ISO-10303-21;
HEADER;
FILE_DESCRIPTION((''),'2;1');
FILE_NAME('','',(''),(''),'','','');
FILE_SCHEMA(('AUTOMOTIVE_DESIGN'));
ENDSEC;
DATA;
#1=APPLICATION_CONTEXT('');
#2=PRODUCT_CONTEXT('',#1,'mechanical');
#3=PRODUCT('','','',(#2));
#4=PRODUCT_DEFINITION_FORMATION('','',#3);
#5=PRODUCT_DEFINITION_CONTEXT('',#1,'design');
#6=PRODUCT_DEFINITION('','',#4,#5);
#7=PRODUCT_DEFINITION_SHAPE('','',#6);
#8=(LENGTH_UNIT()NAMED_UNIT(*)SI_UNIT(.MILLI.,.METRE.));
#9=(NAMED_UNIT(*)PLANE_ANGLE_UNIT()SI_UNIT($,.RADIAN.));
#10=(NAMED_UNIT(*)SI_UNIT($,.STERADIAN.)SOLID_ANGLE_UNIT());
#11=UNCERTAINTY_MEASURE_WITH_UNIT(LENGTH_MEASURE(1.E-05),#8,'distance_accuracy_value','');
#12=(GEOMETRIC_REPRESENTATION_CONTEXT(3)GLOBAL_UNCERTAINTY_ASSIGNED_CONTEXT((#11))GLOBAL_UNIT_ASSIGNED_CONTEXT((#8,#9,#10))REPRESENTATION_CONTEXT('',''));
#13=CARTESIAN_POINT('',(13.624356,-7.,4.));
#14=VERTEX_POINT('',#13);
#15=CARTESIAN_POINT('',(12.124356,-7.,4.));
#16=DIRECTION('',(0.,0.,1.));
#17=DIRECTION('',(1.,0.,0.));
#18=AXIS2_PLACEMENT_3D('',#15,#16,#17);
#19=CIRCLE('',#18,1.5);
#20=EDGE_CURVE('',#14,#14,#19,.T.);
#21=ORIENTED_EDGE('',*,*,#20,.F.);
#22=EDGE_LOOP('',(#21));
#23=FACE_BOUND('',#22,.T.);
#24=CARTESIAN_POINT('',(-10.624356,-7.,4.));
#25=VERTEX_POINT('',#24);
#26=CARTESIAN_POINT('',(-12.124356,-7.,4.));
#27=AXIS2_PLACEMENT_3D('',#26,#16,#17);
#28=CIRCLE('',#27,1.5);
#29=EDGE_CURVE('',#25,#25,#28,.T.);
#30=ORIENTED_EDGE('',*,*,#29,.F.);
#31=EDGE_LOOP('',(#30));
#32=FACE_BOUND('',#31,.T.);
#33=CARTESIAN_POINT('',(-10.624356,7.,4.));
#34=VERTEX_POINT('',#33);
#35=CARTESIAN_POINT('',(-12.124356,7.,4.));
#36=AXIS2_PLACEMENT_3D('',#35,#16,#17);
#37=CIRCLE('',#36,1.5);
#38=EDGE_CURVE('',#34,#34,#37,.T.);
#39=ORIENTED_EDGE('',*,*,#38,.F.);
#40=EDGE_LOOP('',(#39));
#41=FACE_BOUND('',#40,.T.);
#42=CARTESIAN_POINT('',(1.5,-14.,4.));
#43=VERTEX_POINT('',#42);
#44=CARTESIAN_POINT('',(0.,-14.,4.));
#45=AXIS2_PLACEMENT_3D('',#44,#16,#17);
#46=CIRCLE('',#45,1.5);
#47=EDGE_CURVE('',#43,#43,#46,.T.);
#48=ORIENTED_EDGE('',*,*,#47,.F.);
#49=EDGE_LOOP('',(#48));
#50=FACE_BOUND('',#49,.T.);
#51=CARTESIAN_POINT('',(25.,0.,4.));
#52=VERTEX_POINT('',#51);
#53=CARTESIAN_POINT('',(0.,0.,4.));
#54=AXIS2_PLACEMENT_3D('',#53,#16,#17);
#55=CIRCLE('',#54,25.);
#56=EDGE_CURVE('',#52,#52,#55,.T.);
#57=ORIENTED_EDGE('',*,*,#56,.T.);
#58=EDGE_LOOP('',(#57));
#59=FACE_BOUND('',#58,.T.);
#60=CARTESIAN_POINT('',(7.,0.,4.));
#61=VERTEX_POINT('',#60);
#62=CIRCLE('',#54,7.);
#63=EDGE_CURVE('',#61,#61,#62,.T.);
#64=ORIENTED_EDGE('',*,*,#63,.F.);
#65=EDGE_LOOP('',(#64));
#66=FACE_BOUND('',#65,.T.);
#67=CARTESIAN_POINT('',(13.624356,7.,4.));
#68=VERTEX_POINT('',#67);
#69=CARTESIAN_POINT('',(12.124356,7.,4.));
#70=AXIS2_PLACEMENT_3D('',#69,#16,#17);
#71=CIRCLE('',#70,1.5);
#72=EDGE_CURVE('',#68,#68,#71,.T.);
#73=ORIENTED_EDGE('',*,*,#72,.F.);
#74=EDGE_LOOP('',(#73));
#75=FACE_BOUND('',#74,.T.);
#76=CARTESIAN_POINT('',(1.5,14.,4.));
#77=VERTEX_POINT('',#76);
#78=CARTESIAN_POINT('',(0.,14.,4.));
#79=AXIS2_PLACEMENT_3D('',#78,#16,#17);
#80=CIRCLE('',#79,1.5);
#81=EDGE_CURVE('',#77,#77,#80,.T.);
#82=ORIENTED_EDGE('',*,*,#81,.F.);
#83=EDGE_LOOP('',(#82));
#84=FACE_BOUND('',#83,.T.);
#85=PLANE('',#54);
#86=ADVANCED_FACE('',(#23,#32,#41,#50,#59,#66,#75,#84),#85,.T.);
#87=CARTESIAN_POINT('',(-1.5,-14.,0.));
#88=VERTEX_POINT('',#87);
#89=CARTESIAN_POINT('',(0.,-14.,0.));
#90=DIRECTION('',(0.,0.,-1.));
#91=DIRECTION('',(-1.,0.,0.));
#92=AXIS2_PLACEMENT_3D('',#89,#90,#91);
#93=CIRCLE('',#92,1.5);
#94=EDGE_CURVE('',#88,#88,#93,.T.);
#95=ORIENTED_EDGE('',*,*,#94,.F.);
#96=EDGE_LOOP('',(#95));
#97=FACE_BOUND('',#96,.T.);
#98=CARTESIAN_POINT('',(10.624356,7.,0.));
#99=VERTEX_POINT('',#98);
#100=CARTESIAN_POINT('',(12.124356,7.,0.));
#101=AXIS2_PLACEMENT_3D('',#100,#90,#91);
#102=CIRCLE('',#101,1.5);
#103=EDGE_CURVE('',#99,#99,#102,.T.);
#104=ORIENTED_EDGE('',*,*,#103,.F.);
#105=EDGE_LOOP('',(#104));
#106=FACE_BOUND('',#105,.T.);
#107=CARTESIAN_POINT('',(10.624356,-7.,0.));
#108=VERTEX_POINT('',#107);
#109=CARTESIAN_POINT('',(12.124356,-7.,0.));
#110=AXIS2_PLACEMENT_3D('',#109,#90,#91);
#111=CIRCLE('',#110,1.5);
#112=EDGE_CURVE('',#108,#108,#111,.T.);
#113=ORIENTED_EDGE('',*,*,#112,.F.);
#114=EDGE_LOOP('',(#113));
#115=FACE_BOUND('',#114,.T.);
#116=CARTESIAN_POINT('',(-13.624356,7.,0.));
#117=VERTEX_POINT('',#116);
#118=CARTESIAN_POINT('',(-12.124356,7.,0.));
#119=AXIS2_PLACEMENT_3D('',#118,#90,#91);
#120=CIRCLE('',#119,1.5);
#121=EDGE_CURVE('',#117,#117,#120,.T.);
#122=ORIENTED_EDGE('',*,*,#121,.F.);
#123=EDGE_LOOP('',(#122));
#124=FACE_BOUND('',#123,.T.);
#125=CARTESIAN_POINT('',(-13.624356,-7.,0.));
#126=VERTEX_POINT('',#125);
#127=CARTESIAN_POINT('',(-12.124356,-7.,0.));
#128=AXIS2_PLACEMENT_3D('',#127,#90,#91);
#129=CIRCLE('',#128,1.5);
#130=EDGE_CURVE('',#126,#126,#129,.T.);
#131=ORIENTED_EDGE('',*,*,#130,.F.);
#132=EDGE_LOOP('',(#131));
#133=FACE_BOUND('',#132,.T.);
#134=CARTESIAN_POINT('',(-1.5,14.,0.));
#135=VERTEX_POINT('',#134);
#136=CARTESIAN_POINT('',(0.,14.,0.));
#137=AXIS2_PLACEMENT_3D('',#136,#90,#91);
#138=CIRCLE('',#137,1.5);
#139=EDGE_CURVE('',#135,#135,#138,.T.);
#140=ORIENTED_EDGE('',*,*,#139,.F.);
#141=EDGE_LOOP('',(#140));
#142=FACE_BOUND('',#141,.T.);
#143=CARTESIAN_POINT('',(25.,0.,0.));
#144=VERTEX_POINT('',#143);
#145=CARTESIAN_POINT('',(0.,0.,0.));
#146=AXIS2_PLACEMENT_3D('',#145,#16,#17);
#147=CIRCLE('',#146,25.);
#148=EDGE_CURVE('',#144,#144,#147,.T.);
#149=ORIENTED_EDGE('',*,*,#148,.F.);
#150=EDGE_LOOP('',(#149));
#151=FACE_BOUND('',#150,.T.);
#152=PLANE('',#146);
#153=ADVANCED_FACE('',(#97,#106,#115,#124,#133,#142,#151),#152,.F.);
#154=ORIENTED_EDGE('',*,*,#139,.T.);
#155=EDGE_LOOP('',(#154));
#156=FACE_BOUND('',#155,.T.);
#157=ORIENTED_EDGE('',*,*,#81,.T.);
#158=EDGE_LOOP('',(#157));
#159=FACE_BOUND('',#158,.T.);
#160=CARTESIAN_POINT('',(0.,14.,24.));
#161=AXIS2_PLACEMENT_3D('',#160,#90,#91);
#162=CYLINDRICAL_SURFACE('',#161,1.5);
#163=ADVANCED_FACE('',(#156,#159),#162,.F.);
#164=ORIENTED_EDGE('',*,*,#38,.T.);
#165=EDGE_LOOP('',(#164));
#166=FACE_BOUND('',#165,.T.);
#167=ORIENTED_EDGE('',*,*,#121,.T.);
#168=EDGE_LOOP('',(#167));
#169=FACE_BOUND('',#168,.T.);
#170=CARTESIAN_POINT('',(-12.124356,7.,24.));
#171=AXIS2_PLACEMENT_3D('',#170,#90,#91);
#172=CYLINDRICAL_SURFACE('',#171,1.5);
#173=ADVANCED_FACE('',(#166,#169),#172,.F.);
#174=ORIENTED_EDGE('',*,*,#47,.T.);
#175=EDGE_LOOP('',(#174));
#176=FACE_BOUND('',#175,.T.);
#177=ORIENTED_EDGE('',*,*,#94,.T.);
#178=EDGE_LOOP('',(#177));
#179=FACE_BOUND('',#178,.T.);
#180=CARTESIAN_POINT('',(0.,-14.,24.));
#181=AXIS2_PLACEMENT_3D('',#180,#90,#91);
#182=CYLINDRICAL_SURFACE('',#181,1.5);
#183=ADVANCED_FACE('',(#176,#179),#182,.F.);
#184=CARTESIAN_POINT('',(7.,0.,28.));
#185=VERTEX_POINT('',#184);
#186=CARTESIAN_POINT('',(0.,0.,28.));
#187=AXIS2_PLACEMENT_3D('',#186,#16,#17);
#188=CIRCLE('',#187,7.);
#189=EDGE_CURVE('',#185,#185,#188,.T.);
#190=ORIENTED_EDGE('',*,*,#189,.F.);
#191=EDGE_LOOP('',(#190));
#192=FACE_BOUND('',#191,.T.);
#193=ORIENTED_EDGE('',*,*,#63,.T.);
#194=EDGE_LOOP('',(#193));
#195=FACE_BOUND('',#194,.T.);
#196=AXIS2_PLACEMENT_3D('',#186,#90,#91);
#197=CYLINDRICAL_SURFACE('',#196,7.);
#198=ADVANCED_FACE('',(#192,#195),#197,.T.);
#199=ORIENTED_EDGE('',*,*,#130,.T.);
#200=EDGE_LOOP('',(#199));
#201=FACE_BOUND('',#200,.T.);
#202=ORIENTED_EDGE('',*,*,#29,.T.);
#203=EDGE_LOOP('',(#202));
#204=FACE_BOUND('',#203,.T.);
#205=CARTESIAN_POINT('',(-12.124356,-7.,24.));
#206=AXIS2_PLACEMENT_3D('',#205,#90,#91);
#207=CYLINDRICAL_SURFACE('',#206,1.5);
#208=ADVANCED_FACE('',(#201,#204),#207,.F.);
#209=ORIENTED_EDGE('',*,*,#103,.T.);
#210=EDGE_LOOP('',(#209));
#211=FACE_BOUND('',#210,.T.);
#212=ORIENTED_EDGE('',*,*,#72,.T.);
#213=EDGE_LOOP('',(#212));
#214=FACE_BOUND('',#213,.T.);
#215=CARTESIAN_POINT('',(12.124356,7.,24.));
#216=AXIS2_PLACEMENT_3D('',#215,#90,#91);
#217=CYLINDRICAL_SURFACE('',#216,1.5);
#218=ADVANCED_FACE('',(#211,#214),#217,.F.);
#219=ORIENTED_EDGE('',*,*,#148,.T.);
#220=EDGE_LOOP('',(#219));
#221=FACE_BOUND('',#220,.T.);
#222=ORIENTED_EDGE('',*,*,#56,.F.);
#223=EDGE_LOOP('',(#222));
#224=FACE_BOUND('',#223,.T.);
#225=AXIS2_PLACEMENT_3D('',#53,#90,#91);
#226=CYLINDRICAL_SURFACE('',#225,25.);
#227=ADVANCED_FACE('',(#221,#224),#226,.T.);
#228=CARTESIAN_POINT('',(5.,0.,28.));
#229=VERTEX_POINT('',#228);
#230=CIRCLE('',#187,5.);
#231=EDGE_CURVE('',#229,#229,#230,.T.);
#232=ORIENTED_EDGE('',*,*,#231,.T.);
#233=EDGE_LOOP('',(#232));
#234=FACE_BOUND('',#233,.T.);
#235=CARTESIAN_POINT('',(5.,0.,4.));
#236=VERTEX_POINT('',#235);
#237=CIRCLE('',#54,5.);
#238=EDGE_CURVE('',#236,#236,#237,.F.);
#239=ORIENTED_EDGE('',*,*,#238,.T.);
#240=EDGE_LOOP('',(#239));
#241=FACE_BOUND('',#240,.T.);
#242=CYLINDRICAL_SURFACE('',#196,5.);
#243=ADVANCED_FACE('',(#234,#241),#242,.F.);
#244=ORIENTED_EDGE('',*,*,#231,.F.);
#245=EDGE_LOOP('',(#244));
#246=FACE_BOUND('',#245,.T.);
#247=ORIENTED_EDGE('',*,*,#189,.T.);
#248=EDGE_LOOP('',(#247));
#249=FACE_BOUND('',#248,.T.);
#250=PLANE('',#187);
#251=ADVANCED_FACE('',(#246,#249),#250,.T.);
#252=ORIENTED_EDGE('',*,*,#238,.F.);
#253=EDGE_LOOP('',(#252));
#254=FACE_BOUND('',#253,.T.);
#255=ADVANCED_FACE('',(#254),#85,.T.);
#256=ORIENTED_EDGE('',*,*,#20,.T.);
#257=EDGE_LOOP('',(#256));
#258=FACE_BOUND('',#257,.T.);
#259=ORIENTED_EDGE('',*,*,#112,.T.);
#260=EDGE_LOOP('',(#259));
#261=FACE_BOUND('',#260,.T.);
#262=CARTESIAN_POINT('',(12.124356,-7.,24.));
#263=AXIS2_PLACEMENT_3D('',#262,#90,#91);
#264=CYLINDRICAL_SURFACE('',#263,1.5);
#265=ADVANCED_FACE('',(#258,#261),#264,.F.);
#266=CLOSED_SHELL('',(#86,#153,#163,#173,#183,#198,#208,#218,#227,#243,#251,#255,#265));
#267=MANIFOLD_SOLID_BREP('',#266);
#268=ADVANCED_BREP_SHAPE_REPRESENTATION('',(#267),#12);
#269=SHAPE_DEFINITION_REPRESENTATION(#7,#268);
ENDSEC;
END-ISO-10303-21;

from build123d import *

# Parameters (mm, degrees)
SKETCH1_R           = 25
BOSS_EXTRUDE1_DEPTH = 4
SKETCH2_R           = 7
SKETCH2_R_2         = 5
BOSS_EXTRUDE2_DEPTH = 24
SKETCH3_R           = 1.5
CUT_EXTRUDE1_DEPTH  = 24


with BuildPart() as part:
    # Sketch1 → Boss-Extrude1 (new body)
    with BuildSketch(Plane.XY):
        Circle(SKETCH1_R)
    extrude(amount=BOSS_EXTRUDE1_DEPTH)

    # Sketch2 → Boss-Extrude2 (add)
    with BuildSketch(Plane.XY.offset(4)):
        Circle(SKETCH2_R)
        Circle(SKETCH2_R_2, mode=Mode.SUBTRACT)
    extrude(amount=BOSS_EXTRUDE2_DEPTH)

    # Sketch3 → Cut-Extrude1 (cut)
    with BuildSketch(Plane(origin=(0, 0, 0), x_dir=(-1, 0, 0), z_dir=(0, 0, -1))):
        with Locations((0, 14)):
            Circle(SKETCH3_R)
        with Locations((12.124355653, 7)):
            Circle(SKETCH3_R)
        with Locations((12.124355653, -7)):
            Circle(SKETCH3_R)
        with Locations((0, -14)):
            Circle(SKETCH3_R)
        with Locations((-12.124355653, -7)):
            Circle(SKETCH3_R)
        with Locations((-12.124355653, 7)):
            Circle(SKETCH3_R)
    extrude(amount=-CUT_EXTRUDE1_DEPTH, mode=Mode.SUBTRACT)


solid = part.part
